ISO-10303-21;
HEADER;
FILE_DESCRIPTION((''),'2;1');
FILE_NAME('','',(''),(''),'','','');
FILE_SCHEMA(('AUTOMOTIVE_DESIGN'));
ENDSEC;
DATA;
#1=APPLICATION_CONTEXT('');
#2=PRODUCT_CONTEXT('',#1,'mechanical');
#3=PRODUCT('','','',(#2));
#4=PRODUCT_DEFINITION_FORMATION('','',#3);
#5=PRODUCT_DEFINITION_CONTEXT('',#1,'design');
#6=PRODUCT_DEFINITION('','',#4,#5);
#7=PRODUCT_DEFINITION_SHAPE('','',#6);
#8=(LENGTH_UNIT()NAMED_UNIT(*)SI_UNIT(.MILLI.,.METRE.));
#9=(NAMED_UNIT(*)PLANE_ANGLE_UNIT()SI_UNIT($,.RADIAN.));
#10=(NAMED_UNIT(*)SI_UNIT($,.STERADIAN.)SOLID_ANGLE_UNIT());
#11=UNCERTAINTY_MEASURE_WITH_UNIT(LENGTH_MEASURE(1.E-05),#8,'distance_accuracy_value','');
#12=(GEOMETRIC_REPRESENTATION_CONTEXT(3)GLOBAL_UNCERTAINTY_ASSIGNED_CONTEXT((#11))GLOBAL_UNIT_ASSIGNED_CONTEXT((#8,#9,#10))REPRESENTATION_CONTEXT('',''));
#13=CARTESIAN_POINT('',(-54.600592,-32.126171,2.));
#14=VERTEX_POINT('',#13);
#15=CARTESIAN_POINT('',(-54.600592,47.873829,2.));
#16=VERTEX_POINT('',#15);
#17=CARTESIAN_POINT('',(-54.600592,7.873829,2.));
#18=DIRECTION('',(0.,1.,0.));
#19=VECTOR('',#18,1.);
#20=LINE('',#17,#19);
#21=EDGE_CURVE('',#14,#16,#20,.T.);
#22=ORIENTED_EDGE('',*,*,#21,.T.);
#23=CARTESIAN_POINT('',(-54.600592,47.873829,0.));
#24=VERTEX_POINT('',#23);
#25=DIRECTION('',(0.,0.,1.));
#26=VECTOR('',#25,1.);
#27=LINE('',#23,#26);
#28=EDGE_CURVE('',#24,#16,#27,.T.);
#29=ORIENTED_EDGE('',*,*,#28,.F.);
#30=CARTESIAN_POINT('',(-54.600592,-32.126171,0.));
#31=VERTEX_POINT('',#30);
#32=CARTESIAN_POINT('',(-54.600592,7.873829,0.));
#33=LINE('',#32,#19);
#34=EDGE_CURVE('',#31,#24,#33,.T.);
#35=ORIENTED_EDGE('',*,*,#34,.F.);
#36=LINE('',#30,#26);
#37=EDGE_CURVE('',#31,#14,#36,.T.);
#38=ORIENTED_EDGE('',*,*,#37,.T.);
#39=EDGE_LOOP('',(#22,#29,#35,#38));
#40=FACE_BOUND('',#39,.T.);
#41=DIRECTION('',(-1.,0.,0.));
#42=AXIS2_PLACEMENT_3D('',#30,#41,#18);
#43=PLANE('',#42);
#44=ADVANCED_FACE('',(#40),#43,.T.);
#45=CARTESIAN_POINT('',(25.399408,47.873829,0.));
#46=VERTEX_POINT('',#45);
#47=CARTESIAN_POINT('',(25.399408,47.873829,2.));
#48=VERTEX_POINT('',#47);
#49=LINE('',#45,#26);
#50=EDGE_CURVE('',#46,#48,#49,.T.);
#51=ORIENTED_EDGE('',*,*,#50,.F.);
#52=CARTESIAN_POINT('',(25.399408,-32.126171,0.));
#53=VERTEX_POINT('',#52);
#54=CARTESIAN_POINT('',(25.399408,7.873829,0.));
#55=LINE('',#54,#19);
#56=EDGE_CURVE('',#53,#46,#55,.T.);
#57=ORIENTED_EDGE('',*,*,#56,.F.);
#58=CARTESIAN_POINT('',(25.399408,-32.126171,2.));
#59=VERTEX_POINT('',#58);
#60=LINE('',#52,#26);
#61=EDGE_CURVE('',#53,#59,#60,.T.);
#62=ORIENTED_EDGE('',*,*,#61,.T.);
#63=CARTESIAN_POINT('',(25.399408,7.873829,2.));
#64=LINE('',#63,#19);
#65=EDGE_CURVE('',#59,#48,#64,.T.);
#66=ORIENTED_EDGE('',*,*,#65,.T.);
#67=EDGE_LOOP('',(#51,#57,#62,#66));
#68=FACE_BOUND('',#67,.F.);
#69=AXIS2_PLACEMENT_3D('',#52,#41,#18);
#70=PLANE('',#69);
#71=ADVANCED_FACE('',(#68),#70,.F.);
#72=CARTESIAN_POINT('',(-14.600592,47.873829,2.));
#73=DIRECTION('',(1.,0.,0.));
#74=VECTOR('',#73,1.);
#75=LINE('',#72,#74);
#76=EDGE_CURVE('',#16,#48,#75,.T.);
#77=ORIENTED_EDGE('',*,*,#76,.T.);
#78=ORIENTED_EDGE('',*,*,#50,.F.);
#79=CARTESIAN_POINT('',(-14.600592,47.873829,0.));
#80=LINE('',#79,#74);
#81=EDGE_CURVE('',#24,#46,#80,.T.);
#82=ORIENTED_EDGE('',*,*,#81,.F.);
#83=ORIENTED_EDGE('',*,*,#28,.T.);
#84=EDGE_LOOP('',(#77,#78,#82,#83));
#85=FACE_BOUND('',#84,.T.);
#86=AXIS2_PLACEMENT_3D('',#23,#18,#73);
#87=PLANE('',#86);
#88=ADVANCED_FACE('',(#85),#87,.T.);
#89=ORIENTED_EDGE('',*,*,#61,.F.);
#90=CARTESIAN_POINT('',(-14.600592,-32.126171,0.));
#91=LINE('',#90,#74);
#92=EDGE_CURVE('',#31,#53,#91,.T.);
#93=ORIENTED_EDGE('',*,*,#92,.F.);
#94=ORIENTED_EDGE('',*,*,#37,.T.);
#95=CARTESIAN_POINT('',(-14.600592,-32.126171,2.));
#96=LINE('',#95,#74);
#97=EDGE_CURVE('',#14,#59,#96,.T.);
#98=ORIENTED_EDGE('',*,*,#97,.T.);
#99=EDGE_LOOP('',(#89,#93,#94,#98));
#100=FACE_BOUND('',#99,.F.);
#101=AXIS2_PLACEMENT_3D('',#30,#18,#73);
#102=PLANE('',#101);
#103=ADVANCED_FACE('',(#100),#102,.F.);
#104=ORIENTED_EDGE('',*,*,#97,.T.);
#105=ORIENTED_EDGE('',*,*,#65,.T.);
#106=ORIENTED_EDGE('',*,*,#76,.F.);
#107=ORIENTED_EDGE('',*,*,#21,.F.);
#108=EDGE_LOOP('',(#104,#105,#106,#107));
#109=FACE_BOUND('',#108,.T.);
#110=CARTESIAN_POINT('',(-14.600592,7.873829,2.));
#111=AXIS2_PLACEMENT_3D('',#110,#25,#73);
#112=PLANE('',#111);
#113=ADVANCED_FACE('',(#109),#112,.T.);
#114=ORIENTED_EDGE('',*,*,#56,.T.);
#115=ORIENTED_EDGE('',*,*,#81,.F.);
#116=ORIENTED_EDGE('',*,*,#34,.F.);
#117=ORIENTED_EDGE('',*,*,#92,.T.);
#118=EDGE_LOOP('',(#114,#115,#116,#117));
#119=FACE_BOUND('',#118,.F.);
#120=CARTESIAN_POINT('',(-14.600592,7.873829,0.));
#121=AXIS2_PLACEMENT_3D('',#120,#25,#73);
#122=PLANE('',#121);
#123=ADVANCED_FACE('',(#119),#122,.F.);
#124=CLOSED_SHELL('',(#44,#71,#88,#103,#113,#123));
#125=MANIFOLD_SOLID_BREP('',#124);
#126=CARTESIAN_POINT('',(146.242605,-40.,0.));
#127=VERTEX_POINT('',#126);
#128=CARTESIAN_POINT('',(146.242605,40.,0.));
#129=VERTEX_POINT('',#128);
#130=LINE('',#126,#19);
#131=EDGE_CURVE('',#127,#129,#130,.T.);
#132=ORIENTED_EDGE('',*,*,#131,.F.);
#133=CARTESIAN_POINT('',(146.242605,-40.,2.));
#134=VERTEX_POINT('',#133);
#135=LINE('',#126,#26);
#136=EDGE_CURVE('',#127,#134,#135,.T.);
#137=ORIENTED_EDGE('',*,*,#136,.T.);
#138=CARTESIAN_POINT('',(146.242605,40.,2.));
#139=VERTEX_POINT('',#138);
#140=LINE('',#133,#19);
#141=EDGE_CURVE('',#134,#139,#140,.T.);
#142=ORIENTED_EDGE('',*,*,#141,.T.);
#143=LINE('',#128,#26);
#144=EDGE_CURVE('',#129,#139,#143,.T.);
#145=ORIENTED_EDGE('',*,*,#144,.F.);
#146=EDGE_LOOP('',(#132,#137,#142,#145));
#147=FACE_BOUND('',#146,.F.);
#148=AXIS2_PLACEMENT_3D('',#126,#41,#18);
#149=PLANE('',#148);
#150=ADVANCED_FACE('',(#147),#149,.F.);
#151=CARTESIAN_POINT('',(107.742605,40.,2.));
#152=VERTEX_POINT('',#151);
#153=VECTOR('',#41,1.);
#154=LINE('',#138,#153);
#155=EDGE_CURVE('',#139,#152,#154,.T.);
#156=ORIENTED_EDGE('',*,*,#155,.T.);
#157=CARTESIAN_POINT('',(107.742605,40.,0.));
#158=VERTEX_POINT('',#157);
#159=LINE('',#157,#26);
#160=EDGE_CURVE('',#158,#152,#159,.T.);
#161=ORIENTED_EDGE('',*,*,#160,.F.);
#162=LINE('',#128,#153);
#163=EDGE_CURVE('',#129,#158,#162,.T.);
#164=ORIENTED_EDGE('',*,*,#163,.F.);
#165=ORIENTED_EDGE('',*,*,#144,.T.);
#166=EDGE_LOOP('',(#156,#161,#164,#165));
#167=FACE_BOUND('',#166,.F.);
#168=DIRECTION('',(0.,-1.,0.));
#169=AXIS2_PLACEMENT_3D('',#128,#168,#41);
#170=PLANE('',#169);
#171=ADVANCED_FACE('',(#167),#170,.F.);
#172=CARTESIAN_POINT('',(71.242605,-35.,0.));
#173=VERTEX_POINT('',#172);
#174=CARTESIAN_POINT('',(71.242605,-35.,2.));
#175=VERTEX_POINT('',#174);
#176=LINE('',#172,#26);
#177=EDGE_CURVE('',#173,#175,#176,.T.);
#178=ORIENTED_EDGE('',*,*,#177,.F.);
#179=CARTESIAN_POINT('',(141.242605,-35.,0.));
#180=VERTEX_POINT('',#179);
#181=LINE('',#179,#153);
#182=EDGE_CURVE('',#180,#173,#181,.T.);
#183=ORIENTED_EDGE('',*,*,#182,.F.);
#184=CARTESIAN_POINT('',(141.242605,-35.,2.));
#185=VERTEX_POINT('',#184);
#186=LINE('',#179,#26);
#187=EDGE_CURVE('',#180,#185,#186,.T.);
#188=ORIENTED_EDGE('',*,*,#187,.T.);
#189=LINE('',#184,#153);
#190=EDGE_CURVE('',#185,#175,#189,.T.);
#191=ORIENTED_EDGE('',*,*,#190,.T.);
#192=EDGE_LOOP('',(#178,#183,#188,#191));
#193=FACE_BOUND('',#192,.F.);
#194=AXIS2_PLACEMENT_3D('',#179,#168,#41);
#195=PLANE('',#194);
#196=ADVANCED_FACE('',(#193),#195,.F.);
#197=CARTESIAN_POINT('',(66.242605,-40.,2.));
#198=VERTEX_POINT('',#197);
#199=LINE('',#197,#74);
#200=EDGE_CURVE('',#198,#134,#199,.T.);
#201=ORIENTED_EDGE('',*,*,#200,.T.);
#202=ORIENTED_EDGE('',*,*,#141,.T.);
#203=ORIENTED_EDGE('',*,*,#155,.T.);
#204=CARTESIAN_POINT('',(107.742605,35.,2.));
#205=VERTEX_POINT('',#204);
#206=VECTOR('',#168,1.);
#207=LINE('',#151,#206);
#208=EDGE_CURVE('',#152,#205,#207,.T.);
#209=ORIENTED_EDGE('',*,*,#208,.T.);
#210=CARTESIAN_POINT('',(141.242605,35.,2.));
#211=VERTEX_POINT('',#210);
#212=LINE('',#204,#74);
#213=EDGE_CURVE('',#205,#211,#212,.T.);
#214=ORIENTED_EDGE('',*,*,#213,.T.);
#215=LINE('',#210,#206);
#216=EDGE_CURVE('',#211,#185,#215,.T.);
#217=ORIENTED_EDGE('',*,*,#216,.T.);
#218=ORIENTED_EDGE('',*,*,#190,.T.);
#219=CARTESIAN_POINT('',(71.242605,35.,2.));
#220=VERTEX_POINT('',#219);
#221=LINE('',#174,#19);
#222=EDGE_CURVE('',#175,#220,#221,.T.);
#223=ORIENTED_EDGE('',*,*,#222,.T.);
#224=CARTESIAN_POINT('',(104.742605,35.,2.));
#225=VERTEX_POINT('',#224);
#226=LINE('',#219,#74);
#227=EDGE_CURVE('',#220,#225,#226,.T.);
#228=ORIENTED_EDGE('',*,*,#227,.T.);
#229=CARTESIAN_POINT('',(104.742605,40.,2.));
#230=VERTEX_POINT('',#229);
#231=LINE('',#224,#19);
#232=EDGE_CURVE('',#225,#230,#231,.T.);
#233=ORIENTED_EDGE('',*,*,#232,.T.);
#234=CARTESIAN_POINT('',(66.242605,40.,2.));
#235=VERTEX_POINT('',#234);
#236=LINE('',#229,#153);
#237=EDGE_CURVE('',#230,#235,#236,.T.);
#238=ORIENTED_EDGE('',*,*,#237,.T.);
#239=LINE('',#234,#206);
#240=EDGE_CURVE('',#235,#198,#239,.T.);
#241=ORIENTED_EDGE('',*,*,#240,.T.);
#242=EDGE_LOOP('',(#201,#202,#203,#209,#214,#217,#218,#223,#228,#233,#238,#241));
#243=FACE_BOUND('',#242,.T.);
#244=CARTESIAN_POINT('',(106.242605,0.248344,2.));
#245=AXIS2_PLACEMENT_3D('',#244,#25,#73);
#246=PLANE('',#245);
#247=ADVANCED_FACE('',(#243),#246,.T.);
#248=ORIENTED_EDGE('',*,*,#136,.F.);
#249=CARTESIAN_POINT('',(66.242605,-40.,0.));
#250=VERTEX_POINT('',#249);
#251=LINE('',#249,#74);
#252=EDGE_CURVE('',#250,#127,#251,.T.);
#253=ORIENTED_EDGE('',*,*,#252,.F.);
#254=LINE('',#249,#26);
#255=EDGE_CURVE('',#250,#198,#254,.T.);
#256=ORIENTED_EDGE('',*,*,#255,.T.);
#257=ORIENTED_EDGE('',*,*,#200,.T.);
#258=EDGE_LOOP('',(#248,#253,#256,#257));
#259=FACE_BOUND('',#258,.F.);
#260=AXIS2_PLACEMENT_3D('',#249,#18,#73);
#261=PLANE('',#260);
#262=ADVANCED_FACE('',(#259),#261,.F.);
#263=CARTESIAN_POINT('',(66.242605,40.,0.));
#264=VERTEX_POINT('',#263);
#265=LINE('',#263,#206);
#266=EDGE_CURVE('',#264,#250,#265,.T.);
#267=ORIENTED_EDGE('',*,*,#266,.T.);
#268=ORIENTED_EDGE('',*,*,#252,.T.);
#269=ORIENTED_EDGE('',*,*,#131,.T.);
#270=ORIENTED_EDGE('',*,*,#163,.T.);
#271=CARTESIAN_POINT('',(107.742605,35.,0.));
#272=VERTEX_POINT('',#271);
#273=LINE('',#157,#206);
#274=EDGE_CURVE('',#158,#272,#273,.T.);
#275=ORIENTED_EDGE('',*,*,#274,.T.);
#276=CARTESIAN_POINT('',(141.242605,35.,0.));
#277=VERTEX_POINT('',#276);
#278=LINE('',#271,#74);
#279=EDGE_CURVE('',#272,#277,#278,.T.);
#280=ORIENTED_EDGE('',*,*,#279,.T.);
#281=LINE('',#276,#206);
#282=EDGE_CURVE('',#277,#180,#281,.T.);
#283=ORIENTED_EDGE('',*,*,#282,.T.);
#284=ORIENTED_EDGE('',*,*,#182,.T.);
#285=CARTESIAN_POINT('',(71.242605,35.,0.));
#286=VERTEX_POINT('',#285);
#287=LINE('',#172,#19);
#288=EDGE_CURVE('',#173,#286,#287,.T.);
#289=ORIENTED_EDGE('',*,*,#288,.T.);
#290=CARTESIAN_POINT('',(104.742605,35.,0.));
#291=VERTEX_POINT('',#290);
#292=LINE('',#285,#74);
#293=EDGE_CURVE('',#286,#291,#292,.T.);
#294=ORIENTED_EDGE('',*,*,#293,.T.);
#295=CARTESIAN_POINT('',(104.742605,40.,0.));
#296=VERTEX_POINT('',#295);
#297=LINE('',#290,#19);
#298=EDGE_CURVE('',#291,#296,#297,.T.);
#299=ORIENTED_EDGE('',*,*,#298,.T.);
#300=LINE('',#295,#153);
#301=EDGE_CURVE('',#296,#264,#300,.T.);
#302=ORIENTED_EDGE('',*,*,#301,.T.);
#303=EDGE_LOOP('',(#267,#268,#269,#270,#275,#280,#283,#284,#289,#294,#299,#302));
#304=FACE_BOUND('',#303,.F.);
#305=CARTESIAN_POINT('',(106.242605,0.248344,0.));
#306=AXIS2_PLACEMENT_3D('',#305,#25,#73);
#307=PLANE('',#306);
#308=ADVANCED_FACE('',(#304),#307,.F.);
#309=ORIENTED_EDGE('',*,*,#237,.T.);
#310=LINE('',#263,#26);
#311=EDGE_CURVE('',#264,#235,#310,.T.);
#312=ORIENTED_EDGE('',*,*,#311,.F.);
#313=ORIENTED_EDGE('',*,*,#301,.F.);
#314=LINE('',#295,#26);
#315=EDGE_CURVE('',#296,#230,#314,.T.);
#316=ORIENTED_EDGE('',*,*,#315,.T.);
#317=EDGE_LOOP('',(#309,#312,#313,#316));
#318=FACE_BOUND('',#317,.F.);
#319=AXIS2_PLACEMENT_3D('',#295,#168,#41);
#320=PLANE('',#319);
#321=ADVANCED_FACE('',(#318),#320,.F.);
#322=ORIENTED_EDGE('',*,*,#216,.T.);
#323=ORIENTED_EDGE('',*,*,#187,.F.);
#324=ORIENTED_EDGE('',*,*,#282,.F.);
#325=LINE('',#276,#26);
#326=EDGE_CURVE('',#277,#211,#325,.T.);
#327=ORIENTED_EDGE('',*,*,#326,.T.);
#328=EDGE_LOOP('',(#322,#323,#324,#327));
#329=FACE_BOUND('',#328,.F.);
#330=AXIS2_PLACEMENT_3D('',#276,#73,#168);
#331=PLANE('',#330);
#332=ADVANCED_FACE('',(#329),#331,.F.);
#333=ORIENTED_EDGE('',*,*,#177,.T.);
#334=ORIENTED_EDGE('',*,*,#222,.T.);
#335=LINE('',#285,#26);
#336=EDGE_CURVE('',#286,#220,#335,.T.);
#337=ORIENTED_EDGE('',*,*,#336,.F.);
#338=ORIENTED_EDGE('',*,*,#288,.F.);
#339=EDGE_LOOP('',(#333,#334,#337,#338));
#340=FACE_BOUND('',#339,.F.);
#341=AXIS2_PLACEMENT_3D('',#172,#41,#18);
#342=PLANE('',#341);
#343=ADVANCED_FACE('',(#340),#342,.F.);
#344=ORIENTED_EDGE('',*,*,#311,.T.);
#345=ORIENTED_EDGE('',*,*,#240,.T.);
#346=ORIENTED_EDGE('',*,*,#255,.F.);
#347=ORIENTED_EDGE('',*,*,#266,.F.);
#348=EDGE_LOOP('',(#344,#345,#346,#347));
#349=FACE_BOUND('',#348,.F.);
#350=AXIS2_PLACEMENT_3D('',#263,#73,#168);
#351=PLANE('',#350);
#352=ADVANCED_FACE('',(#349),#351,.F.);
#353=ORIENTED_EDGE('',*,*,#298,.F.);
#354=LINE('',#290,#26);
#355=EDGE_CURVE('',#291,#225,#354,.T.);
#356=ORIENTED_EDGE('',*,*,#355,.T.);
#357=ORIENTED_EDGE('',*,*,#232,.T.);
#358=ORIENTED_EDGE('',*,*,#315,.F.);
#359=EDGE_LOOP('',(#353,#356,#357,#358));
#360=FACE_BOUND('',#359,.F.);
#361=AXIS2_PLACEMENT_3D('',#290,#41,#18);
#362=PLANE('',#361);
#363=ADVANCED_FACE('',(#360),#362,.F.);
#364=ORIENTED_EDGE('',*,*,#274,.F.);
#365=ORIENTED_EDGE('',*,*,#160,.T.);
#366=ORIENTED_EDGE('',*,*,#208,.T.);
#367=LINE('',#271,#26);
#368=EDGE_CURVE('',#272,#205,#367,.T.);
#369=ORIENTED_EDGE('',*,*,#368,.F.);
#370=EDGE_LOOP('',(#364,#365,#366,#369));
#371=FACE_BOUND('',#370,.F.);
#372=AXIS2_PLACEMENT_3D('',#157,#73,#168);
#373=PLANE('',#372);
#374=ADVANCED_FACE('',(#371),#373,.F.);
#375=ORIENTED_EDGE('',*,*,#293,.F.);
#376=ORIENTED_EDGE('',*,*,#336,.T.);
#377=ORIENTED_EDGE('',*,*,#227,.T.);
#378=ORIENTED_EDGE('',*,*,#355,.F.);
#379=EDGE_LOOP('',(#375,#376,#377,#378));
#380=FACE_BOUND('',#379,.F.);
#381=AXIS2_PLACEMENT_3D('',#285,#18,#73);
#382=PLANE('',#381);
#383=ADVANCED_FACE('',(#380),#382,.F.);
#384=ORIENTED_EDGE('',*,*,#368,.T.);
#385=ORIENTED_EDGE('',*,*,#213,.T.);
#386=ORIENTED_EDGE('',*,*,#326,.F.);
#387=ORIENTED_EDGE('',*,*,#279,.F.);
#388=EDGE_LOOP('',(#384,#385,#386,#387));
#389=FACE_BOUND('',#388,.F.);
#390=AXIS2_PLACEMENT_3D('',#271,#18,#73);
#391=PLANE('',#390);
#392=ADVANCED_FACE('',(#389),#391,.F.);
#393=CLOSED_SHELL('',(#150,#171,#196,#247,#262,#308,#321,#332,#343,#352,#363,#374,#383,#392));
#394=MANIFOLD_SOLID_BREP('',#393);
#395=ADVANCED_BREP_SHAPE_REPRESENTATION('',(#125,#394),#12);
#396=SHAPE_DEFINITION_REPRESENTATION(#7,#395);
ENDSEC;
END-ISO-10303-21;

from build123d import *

# Parameters (mm, degrees)
F0_W     = 80
F0_H     = 80
F2_DEPTH = 2
F3_DEPTH = 2


with BuildPart() as f2:
    # F0 (on Top) → F2 (new body)
    with BuildSketch(Plane.XY):
        with Locations((-14.600592, 7.873829)):
            Rectangle(F0_W, F0_H)
    extrude(amount=F2_DEPTH)


with BuildPart() as f3:
    # F1 (on Top) → F3 (new body)
    with BuildSketch(Plane.XY):
        Polygon((66.242605, -40), (146.242605, -40), (146.242605, 40), (107.742605, 40), (107.742605, 35), (141.242605, 35), (141.242605, -35), (71.242605, -35), (71.242605, 35), (104.742605, 35), (104.742605, 40), (66.242605, 40), align=None)
    extrude(amount=F3_DEPTH)


solid = Compound([f2.part, f3.part])
